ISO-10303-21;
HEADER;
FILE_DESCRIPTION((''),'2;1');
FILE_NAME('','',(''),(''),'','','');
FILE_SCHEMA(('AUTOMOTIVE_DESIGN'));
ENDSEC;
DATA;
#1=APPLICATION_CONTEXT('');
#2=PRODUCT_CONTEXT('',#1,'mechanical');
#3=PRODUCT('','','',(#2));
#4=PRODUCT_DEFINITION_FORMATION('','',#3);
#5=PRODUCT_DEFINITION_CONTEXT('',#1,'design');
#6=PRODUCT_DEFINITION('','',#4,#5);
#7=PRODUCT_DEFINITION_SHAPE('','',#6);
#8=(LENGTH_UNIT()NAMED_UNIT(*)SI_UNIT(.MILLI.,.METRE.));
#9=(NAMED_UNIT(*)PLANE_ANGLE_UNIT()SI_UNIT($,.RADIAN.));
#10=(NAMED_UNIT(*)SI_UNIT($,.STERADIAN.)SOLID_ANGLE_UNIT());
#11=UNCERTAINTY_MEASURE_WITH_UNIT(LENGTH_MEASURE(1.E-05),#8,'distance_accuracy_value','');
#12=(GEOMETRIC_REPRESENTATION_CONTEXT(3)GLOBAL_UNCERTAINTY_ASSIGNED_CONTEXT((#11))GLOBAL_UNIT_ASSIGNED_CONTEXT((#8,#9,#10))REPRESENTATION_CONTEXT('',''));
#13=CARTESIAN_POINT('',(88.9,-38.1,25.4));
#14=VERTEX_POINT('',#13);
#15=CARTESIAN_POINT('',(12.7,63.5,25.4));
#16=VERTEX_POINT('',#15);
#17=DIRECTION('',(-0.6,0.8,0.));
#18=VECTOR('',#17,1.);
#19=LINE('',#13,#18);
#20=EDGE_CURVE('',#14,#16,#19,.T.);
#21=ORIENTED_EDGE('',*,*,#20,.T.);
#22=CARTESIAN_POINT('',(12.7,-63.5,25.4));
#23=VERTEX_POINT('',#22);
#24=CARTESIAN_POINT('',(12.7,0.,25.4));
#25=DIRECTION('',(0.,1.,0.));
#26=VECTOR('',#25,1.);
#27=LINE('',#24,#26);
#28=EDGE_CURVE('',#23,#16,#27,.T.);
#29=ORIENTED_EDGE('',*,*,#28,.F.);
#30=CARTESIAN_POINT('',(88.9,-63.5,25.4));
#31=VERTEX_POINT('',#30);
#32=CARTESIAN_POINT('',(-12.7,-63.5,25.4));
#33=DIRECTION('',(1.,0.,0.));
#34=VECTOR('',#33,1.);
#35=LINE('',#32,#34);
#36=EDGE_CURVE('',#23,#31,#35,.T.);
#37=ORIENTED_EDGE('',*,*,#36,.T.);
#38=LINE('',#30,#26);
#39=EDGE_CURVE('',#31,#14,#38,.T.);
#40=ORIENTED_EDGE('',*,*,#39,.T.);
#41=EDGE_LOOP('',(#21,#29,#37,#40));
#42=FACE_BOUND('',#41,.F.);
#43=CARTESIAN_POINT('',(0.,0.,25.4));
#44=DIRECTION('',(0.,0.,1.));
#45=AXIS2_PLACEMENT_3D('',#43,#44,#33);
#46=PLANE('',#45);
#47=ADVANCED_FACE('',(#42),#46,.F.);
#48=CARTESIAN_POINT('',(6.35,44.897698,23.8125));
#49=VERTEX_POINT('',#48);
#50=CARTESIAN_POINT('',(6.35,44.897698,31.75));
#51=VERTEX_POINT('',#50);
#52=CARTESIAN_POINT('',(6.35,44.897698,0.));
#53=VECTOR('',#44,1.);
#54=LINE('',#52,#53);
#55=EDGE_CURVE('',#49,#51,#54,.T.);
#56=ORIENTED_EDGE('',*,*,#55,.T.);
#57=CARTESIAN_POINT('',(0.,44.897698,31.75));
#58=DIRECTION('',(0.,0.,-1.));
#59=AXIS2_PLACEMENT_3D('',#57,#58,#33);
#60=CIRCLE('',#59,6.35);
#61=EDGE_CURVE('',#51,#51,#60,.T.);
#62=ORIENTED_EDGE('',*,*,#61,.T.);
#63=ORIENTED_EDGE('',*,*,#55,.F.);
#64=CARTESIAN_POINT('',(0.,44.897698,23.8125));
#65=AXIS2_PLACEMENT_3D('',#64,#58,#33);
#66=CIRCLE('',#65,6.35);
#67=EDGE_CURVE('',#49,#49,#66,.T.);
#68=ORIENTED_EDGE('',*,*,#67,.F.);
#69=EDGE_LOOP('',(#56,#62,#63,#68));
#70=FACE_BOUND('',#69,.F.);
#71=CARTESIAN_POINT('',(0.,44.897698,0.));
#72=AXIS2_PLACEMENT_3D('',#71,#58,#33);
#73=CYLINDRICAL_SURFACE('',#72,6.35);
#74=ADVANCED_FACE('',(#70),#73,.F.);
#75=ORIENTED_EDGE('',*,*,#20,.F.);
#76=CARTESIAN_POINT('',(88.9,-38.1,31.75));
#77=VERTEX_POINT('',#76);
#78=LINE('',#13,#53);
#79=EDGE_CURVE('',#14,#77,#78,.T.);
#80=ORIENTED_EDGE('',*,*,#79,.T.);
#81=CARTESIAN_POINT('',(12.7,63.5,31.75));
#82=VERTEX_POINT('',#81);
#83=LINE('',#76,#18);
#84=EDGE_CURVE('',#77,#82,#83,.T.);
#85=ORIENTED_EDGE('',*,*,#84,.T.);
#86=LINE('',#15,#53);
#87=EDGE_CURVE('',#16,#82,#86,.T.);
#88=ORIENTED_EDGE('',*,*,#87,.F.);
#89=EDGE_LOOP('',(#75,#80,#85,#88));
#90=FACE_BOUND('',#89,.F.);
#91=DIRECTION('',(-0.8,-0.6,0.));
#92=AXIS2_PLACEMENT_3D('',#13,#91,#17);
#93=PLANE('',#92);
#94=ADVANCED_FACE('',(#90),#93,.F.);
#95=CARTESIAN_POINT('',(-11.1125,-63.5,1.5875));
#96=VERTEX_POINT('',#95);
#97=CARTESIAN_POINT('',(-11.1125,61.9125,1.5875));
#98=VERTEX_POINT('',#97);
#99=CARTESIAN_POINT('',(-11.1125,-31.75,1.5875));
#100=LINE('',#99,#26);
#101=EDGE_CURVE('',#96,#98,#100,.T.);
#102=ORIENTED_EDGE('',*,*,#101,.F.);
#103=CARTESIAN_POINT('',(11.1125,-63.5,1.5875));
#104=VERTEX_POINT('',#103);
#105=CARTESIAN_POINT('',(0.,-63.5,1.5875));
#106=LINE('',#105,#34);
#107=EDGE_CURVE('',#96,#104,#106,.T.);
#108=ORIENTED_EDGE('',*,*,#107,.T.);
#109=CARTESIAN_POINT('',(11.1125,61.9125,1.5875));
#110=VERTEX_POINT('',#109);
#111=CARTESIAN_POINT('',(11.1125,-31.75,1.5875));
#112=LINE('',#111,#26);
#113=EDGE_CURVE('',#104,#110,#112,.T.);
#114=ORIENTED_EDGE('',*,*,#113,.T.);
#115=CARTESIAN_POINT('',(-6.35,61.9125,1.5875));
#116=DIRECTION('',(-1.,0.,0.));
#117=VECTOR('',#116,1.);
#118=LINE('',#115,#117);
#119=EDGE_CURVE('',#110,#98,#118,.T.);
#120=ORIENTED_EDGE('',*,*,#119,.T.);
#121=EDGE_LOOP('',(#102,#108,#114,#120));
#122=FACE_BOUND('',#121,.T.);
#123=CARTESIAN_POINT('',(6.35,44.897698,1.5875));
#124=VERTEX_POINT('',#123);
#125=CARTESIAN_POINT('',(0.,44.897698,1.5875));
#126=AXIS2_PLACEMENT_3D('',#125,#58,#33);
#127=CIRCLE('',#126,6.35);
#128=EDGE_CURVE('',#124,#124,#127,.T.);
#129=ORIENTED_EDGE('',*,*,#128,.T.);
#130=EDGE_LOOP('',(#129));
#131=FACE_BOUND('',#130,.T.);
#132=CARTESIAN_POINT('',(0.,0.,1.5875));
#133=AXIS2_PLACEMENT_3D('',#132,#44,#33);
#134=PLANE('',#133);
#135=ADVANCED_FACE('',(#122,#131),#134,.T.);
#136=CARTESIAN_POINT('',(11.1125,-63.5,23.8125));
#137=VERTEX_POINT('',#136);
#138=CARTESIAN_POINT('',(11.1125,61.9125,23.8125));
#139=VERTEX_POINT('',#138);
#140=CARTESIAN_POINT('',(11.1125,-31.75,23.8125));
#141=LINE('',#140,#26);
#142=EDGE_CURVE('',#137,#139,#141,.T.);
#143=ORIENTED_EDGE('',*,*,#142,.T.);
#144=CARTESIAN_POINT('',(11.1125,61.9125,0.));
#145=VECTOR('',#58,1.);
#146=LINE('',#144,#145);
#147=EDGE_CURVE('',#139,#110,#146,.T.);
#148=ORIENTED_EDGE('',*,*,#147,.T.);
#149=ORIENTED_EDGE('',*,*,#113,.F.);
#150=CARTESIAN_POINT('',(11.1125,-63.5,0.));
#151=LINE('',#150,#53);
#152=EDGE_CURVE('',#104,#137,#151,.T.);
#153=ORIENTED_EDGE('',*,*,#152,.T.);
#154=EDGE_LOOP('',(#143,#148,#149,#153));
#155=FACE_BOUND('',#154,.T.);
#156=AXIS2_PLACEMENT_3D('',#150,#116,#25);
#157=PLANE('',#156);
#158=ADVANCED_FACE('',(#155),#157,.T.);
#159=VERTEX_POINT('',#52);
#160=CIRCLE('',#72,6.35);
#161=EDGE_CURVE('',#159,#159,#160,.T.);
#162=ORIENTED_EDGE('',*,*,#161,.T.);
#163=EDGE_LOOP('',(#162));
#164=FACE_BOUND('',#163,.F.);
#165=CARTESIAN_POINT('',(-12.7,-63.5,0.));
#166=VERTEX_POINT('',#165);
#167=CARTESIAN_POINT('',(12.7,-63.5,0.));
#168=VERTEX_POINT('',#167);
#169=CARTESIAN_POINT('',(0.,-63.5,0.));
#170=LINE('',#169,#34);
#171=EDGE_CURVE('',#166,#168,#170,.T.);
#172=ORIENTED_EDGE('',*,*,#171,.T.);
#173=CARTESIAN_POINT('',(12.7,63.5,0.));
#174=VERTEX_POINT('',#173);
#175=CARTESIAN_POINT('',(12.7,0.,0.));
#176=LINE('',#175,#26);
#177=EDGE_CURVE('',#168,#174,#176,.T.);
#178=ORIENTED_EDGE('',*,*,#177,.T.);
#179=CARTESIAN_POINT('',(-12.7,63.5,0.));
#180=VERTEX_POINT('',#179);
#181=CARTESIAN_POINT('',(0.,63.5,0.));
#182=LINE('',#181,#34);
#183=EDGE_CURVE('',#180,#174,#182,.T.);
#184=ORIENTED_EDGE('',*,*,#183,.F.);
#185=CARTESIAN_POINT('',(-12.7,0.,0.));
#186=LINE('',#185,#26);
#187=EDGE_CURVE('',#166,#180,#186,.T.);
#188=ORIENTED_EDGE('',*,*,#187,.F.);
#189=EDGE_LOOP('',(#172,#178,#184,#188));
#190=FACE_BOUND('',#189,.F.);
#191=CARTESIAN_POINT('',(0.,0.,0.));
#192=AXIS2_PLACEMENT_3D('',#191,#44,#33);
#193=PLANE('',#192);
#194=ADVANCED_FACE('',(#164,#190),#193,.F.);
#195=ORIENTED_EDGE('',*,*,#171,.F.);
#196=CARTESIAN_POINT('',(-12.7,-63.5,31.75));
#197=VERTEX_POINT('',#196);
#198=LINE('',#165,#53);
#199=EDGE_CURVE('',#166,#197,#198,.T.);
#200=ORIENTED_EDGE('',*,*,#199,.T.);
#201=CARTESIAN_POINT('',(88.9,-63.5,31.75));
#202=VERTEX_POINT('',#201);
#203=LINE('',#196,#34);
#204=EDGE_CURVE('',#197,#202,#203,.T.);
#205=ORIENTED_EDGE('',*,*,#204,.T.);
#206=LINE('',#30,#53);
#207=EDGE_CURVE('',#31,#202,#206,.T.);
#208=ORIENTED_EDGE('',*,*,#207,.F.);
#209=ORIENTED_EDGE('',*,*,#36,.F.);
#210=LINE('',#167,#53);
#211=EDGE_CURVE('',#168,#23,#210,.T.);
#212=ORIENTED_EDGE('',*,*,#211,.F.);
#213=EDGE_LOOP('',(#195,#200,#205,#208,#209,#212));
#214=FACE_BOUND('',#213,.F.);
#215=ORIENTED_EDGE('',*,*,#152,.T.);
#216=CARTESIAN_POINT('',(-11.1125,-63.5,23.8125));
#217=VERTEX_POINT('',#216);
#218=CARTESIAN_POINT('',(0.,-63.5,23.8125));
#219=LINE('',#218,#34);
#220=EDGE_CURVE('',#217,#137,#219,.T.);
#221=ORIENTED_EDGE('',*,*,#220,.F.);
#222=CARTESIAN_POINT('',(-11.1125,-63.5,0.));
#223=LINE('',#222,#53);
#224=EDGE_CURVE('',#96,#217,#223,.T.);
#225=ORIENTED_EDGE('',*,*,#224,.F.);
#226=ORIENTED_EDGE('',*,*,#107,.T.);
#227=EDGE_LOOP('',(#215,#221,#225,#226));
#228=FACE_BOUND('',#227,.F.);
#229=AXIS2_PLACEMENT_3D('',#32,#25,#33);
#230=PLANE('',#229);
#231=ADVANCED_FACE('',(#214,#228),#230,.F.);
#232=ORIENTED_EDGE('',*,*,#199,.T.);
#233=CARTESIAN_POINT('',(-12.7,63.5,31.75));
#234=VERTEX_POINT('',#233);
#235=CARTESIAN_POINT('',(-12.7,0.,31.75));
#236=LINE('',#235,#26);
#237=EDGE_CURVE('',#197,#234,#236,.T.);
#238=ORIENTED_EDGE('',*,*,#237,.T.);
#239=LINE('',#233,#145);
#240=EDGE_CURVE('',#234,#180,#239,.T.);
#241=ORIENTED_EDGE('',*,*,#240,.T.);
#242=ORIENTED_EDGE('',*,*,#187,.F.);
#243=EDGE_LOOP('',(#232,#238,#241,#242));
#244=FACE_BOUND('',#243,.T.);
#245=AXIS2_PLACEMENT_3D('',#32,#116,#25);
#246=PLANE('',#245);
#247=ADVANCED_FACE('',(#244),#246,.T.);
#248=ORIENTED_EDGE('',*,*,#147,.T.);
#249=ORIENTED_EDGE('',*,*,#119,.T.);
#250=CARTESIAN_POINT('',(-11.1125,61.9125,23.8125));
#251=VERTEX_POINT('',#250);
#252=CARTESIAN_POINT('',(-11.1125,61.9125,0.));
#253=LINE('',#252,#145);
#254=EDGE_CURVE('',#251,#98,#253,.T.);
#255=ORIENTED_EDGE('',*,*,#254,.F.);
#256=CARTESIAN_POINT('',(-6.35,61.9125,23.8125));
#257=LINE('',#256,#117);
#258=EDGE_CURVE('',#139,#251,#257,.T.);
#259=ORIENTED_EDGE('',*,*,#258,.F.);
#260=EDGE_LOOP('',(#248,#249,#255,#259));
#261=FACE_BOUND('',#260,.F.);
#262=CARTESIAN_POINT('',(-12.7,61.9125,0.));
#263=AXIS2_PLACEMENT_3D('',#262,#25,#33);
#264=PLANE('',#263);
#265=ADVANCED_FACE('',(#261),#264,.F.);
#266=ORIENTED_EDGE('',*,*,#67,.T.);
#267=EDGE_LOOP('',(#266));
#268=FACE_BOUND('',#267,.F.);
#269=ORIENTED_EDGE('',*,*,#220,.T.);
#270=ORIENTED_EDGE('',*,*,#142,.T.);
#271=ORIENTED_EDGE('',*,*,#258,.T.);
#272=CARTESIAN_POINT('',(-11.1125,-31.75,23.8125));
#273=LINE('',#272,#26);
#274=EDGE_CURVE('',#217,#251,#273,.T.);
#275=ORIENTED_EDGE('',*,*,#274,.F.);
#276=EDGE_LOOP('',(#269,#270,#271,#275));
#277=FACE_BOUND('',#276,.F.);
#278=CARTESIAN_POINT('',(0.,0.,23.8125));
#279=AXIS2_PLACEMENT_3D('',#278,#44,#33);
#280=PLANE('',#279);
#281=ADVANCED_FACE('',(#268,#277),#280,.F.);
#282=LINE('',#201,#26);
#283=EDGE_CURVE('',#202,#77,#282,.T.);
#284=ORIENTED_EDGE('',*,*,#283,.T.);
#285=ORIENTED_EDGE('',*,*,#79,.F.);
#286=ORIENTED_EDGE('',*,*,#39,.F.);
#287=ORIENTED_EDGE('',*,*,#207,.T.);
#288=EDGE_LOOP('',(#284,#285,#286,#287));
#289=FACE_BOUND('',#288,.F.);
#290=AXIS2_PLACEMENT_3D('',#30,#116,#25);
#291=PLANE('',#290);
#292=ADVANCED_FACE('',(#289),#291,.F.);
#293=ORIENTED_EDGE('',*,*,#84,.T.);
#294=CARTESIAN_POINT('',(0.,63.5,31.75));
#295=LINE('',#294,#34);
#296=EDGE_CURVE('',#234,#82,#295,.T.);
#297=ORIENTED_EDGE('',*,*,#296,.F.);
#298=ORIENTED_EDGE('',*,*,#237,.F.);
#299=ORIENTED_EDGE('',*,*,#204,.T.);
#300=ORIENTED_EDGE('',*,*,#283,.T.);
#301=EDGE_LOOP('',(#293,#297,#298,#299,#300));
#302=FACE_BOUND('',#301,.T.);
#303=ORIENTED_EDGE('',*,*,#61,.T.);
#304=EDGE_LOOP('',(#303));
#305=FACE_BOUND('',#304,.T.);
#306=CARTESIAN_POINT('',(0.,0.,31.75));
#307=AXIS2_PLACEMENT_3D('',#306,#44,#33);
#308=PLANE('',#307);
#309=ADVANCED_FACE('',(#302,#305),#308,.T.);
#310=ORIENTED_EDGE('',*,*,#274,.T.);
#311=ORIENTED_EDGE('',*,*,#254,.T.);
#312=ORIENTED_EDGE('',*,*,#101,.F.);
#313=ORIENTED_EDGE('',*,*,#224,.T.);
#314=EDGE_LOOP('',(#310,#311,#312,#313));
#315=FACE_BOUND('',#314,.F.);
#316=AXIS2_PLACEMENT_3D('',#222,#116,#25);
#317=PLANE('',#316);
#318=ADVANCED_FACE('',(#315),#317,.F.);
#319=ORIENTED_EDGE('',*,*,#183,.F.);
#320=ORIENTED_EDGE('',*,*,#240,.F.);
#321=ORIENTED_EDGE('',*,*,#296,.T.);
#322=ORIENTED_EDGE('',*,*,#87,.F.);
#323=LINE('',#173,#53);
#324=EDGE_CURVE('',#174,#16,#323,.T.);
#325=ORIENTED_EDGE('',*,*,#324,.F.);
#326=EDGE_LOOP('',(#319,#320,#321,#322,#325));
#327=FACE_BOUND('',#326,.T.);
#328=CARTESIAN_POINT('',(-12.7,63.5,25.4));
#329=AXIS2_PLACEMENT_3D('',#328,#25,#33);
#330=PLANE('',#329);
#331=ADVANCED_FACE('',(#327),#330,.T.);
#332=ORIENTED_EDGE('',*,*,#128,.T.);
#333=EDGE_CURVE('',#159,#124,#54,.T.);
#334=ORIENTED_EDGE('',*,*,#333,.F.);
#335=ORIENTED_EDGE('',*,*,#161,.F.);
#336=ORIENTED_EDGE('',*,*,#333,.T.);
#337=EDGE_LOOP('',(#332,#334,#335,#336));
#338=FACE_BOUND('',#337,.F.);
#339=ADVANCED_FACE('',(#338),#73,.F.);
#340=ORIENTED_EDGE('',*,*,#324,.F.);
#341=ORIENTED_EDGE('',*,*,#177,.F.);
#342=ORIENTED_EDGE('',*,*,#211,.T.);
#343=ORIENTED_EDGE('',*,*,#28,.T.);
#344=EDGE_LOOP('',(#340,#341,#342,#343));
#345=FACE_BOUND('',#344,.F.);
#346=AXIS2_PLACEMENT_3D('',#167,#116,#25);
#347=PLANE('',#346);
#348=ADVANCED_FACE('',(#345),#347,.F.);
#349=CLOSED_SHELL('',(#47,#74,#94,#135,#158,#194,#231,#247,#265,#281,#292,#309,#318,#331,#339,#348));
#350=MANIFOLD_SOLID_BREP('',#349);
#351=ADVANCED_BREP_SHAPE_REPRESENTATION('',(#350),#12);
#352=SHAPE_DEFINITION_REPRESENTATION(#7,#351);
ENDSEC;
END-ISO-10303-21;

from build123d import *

# Parameters (mm, degrees)
F0_W     = 25.4
F0_H     = 127
F1_DEPTH = 25.4
F2_T     = -1.5875
F3_W     = 25.4
F3_H     = 127
F4_DEPTH = 6.35
F5_R     = 6.35
F6_DEPTH = 31.751


with BuildPart() as f1:
    # F0 (on Top) → F1 (new body)
    with BuildSketch(Plane.XY):
        Rectangle(F0_W, F0_H)
    extrude(amount=F1_DEPTH)

    # F2
    f2_openings = [f1.faces().sort_by_distance(p)[0] for p in [
        (0, -63.5, 12.7),
    ]]
    offset(amount=F2_T, openings=f2_openings)

    # F3 (on face) → F4 (join)
    with BuildSketch(Plane.XY.offset(25.4)):
        Rectangle(F3_W, F3_H)
        Polygon((88.9, -38.1), (12.7, 63.5), (12.7, -63.5), (88.9, -63.5), align=None)
    extrude(amount=F4_DEPTH)

    # F5 (on face) → F6 (cut, through all)
    with BuildSketch(Plane(origin=(0, 0, 0), x_dir=(1, 0, 0), z_dir=(0, 0, -1))):
        with Locations((0, -44.897698)):
            Circle(F5_R)
    extrude(amount=-F6_DEPTH, mode=Mode.SUBTRACT)


solid = f1.part
